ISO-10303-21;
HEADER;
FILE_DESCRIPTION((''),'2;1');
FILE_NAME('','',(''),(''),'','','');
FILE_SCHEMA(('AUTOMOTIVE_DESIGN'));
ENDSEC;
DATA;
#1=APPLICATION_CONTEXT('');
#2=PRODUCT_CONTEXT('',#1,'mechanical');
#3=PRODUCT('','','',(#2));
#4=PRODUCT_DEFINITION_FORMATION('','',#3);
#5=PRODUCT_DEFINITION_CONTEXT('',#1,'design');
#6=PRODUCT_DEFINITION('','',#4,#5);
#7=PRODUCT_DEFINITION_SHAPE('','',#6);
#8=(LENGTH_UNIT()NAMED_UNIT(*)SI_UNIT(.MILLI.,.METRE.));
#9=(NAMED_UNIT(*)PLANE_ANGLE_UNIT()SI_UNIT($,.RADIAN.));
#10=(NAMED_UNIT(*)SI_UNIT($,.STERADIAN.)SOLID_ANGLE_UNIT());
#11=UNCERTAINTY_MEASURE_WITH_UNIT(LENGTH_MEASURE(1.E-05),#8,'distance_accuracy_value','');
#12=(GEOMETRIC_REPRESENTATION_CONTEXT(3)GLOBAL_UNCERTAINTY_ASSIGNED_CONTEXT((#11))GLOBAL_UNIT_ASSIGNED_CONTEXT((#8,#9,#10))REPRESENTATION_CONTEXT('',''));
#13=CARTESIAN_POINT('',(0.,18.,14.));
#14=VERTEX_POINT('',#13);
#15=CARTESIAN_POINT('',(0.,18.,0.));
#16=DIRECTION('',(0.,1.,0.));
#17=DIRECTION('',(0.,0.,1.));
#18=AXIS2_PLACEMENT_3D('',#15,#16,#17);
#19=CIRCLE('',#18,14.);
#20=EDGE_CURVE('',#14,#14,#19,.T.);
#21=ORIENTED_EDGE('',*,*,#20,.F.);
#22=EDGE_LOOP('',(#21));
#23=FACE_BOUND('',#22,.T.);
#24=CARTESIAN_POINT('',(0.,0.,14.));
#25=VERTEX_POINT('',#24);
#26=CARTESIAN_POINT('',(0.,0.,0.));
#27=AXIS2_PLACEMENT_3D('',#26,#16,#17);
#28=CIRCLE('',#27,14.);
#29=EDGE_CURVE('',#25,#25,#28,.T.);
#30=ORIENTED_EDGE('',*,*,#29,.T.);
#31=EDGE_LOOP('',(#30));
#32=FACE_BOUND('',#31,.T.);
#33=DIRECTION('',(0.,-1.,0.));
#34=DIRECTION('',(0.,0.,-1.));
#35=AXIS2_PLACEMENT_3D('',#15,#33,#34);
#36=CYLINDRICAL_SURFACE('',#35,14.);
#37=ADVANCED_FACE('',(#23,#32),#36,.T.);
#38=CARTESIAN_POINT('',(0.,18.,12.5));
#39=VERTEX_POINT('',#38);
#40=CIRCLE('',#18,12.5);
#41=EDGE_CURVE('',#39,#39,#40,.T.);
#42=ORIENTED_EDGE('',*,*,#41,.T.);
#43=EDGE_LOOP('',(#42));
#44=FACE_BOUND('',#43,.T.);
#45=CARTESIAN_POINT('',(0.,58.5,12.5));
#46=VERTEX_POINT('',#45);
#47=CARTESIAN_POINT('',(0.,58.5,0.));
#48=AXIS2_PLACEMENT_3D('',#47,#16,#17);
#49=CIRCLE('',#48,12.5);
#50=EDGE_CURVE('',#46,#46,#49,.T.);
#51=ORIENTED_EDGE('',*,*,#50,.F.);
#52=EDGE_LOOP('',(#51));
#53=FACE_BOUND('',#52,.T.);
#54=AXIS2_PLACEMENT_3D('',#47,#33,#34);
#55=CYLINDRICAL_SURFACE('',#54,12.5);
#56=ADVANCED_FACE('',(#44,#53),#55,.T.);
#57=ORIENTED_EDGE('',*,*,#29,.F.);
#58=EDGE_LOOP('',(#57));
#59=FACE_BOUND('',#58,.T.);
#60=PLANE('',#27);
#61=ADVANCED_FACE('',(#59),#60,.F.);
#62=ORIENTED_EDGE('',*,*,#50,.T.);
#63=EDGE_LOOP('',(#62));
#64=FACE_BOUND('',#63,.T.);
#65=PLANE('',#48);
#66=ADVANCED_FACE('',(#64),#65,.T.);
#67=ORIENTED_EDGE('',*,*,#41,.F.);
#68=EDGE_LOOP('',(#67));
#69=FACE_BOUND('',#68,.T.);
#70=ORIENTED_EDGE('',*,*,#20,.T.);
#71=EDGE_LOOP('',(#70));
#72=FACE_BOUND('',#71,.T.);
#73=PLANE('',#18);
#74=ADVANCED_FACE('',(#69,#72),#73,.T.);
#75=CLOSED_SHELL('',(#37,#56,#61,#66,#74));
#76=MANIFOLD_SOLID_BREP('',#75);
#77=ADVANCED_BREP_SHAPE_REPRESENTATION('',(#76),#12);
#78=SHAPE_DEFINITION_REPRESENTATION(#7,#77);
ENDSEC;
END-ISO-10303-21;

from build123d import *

# Parameters (mm, degrees)
SKETCH_1_R      = 14
EXTRUDE_1_DEPTH = 18
SKETCH_2_R      = 12.5
EXTRUDE_2_DEPTH = 40.5


with BuildPart() as part:
    # 草图1 → 凸台-拉伸1 (new body)
    with BuildSketch(Plane(origin=(0, 0, 0), x_dir=(1, 0, 0), z_dir=(0, 1, 0))):
        with Locations(Location((0, 0, 0), (0, 0, 270))):
            Circle(SKETCH_1_R)
    extrude(amount=EXTRUDE_1_DEPTH)

    # 草图2 → 凸台-拉伸2 (add)
    with BuildSketch(Plane(origin=(0, 18, 0), x_dir=(1, 0, 0), z_dir=(0, 1, 0))):
        with Locations(Location((0, 0, 0), (0, 0, 270))):
            Circle(SKETCH_2_R)
    extrude(amount=EXTRUDE_2_DEPTH)


solid = part.part
